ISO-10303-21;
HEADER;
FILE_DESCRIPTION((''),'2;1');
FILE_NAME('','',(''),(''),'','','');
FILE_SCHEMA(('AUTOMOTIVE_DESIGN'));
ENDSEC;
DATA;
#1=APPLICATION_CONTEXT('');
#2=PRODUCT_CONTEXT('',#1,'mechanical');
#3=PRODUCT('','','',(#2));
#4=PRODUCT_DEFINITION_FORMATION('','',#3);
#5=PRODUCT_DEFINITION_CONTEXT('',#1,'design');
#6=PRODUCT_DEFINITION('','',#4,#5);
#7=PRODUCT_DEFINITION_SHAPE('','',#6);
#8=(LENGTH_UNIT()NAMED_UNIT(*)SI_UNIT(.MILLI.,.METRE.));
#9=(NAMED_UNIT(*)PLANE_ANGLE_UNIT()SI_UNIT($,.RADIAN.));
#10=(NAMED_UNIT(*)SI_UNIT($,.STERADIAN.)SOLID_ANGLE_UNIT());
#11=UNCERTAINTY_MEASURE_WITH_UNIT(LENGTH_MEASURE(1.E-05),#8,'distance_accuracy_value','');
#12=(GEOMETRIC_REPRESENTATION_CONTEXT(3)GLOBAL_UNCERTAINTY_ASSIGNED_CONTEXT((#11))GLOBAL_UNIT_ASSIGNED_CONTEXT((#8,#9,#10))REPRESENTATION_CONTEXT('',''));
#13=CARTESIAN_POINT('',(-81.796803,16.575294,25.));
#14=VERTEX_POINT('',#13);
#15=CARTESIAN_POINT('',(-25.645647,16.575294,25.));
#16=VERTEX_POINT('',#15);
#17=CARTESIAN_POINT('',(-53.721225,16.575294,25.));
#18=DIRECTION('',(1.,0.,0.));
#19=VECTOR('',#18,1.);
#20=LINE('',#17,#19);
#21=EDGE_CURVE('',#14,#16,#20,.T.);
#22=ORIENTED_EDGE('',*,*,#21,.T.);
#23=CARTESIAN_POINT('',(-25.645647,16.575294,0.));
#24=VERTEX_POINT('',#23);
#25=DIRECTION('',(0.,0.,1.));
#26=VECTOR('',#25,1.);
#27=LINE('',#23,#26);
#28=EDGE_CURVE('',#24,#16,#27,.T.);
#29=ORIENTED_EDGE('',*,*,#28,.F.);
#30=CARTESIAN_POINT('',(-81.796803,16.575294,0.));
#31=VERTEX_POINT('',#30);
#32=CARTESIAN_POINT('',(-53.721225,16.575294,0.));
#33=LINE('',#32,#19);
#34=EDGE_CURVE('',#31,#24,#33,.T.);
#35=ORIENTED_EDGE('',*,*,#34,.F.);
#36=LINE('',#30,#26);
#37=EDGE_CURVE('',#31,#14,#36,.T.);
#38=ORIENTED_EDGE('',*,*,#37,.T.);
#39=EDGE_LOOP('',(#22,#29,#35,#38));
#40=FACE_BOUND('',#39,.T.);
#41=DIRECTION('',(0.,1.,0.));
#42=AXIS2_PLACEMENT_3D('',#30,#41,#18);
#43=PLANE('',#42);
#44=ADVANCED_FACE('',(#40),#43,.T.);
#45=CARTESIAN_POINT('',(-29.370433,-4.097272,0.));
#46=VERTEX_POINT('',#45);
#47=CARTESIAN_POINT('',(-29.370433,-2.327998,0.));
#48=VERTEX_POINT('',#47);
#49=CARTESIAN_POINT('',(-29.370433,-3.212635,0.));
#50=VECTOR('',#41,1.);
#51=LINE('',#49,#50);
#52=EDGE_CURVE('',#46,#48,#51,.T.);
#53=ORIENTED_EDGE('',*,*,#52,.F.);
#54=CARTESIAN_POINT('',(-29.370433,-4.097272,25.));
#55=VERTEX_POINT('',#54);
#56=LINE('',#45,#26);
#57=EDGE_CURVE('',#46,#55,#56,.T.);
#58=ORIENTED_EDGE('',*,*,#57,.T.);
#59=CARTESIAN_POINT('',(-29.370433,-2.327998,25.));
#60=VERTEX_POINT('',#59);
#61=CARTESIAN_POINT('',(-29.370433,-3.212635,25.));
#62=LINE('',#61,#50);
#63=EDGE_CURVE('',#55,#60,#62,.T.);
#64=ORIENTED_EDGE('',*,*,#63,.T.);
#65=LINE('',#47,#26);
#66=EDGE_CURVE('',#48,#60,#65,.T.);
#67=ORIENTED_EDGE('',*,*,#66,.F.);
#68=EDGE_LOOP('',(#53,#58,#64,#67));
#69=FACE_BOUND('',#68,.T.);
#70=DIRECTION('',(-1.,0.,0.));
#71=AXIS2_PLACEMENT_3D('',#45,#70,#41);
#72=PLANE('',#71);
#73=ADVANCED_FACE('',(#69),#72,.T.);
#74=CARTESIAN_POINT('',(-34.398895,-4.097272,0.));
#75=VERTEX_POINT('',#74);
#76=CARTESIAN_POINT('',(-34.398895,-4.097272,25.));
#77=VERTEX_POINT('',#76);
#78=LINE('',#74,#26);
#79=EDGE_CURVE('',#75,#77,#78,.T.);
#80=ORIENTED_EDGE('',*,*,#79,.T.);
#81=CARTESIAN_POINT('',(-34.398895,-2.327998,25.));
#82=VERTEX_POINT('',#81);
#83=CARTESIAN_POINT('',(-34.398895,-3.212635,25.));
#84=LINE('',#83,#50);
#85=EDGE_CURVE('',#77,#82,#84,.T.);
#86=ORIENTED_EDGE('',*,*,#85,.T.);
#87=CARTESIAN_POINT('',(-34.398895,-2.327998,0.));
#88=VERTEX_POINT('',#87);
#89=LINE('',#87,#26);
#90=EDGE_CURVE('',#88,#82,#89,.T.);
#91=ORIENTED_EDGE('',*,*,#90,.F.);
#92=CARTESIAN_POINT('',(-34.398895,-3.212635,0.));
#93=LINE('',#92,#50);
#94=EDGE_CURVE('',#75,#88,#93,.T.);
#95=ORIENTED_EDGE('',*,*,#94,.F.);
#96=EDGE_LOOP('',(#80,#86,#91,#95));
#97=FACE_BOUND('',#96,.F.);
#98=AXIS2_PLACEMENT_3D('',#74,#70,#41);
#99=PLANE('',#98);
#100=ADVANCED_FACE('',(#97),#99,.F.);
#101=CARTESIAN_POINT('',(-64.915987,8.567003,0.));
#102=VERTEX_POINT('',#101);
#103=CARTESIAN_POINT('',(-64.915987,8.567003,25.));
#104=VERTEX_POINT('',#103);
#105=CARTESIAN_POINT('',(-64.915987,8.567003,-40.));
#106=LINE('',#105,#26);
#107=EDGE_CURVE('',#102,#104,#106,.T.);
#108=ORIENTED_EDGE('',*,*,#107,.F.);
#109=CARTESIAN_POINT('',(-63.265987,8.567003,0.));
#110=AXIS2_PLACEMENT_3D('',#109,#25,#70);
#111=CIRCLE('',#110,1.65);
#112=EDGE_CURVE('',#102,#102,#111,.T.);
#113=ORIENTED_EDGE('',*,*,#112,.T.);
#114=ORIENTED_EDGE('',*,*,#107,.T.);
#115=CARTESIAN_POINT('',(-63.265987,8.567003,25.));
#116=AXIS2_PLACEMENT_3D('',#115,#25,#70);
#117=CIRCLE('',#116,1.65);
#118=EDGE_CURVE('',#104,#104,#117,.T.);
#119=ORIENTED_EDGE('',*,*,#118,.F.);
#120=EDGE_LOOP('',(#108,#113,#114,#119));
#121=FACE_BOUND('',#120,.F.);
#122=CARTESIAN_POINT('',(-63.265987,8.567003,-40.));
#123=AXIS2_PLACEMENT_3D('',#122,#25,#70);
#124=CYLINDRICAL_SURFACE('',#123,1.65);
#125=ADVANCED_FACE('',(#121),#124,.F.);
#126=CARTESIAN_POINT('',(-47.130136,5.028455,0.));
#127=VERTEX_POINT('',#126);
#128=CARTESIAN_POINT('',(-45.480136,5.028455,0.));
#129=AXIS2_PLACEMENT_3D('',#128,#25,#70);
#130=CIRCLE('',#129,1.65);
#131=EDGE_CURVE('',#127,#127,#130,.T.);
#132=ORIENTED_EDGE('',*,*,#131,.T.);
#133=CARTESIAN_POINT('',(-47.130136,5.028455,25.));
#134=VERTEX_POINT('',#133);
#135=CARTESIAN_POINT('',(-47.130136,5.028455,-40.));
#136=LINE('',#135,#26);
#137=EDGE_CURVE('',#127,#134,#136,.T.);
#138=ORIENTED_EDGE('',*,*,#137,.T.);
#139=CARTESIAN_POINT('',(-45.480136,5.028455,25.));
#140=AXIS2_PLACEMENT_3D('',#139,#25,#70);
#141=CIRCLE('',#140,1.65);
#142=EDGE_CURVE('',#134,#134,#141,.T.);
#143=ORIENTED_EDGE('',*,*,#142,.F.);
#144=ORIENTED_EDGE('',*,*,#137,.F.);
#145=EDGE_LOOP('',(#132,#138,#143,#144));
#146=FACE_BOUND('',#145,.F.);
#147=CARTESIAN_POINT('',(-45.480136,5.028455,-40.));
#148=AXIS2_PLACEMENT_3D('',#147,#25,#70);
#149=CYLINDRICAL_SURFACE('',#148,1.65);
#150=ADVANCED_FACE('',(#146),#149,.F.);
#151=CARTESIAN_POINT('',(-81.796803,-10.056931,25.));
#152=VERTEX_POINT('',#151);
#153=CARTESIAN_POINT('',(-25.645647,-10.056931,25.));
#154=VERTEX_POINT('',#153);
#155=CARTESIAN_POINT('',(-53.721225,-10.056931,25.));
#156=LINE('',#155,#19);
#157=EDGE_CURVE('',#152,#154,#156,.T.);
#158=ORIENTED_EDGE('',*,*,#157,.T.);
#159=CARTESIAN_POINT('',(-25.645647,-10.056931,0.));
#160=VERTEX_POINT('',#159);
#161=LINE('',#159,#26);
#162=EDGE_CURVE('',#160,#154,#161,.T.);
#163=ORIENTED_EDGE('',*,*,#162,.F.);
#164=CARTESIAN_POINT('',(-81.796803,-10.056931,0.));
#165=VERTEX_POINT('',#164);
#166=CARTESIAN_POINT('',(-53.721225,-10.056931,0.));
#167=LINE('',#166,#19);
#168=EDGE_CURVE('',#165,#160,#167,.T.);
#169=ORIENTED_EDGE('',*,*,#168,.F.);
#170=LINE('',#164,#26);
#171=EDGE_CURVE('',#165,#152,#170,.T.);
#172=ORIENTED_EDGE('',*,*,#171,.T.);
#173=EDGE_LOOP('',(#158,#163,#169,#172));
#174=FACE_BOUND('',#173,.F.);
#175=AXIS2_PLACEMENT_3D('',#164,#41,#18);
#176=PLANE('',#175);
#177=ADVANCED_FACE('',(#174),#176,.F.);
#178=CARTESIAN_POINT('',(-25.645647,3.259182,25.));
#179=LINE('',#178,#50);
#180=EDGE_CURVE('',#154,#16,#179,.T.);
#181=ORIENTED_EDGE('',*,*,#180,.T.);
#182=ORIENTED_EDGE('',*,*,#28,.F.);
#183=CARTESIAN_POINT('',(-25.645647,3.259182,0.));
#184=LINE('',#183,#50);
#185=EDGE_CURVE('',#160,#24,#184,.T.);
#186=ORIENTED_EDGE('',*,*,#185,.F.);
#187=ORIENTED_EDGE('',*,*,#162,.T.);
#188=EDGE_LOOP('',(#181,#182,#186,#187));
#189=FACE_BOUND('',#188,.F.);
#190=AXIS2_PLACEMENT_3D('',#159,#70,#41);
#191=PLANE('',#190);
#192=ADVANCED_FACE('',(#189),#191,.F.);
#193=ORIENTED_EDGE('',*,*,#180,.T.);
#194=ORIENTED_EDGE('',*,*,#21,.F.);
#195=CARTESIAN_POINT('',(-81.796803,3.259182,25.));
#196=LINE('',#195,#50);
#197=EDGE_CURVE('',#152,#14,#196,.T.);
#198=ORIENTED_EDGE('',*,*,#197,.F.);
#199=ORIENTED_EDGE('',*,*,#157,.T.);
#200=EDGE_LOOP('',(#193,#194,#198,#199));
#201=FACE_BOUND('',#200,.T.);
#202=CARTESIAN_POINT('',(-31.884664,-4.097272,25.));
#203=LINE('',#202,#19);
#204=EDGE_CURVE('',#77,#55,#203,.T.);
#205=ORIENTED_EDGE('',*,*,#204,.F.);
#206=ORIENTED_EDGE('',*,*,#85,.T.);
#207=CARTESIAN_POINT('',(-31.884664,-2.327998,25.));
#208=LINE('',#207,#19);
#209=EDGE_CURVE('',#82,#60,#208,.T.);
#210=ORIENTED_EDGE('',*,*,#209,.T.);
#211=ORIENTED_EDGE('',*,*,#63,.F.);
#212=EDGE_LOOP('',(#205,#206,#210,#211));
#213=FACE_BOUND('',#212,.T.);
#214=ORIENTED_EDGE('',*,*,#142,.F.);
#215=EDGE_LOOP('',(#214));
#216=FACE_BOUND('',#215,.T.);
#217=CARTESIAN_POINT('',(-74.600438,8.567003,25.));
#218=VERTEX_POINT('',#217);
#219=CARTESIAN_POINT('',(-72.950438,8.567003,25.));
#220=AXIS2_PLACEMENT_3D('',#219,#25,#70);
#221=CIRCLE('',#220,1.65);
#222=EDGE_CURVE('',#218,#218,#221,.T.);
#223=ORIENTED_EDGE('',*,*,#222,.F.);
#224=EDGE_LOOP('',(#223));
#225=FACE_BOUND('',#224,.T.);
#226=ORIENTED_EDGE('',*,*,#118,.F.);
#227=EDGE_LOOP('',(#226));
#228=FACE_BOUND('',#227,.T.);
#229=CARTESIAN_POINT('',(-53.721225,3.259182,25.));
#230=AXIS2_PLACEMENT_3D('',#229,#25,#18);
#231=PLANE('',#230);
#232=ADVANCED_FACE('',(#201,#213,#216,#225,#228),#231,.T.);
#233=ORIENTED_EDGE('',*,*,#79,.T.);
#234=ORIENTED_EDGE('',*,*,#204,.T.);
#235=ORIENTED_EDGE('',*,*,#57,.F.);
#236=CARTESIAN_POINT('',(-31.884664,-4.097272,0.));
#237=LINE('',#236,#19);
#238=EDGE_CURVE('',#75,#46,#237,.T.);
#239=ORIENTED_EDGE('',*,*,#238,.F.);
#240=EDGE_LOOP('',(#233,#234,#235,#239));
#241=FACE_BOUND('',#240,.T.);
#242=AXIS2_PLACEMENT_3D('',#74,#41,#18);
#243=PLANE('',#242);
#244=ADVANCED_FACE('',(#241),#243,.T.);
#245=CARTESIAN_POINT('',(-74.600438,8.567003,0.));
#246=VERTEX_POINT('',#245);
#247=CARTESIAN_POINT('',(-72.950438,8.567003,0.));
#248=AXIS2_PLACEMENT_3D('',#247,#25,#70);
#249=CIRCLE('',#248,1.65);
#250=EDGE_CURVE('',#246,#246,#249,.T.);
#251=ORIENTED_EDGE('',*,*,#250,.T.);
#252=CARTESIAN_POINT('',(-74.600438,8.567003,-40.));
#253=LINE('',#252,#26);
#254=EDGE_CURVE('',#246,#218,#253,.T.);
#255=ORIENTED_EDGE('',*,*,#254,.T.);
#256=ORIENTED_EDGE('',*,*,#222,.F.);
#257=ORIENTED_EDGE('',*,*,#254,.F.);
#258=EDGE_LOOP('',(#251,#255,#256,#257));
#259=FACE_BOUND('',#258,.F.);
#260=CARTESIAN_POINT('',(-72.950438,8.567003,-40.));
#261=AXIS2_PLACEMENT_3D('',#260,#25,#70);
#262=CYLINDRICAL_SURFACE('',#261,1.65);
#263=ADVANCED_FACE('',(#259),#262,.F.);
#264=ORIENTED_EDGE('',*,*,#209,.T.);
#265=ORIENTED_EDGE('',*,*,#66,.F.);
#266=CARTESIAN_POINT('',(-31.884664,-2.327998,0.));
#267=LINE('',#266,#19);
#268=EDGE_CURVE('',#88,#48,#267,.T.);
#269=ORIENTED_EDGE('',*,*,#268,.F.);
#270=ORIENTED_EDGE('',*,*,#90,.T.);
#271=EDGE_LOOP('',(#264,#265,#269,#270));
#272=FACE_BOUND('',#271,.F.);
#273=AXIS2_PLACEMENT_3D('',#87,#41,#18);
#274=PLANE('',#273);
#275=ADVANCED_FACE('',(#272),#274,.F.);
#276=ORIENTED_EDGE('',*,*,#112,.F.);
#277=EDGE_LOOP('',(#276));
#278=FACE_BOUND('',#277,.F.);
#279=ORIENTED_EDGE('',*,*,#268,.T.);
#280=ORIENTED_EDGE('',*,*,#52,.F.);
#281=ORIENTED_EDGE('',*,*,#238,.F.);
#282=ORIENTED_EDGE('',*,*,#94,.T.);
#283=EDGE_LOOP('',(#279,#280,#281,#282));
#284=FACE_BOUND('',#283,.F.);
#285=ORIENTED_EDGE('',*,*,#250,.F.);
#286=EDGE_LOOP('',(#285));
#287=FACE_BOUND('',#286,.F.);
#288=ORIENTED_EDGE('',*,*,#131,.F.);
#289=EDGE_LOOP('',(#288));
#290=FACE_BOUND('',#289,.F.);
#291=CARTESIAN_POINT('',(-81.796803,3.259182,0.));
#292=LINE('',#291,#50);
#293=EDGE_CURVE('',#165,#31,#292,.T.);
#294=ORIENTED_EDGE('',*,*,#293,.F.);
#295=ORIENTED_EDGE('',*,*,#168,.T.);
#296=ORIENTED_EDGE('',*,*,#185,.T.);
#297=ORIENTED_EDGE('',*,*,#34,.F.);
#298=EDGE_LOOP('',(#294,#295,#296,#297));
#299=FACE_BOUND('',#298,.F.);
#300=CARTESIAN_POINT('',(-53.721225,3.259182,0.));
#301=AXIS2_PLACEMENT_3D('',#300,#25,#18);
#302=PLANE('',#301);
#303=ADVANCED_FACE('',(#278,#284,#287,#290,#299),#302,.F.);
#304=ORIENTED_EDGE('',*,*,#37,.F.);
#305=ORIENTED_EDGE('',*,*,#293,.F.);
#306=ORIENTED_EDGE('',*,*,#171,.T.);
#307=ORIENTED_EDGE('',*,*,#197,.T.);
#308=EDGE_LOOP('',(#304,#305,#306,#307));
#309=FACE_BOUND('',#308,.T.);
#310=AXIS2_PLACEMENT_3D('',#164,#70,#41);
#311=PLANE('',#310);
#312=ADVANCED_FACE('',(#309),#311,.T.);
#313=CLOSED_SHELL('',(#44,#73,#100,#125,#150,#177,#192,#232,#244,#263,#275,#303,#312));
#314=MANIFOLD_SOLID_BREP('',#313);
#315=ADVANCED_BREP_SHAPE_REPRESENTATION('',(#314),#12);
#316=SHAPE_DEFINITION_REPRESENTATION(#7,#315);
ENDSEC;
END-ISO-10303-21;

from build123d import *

# Parameters (mm, degrees)
F1_W     = 56.1511553824
F1_H     = 26.6322242096
F1_W_2   = 5.0284620374
F1_H_2   = 1.7692742404
F2_DEPTH = 25
F3_D     = 3.3
F3_DEPTH = 40
F3_TIP   = 0.9914200214


with BuildPart() as f2:
    # F1 (on Top) → F2 (new body)
    with BuildSketch(Plane.XY):
        with Locations((-53.7212248892, 3.2591815107)):
            Rectangle(F1_W, F1_H)
        with Locations((-31.8846637383, -3.2126350561)):
            Rectangle(F1_W_2, F1_H_2, mode=Mode.SUBTRACT)
    extrude(amount=F2_DEPTH)

    # F3
    with Locations(Plane(origin=(0, 0, 0), x_dir=(1, 0, 0), z_dir=(0, 0, -1))):
        with Locations((-72.950437665, -8.5670026019), (-63.2659867406, -8.5670026019), (-45.4801358283, -5.0284550525)):
            Hole(F3_D / 2, depth=F3_DEPTH)
            with Locations((0, 0, -(F3_DEPTH + F3_TIP / 2))):  # 118° drill point
                Cone(0, F3_D / 2, F3_TIP, mode=Mode.SUBTRACT)


solid = f2.part
